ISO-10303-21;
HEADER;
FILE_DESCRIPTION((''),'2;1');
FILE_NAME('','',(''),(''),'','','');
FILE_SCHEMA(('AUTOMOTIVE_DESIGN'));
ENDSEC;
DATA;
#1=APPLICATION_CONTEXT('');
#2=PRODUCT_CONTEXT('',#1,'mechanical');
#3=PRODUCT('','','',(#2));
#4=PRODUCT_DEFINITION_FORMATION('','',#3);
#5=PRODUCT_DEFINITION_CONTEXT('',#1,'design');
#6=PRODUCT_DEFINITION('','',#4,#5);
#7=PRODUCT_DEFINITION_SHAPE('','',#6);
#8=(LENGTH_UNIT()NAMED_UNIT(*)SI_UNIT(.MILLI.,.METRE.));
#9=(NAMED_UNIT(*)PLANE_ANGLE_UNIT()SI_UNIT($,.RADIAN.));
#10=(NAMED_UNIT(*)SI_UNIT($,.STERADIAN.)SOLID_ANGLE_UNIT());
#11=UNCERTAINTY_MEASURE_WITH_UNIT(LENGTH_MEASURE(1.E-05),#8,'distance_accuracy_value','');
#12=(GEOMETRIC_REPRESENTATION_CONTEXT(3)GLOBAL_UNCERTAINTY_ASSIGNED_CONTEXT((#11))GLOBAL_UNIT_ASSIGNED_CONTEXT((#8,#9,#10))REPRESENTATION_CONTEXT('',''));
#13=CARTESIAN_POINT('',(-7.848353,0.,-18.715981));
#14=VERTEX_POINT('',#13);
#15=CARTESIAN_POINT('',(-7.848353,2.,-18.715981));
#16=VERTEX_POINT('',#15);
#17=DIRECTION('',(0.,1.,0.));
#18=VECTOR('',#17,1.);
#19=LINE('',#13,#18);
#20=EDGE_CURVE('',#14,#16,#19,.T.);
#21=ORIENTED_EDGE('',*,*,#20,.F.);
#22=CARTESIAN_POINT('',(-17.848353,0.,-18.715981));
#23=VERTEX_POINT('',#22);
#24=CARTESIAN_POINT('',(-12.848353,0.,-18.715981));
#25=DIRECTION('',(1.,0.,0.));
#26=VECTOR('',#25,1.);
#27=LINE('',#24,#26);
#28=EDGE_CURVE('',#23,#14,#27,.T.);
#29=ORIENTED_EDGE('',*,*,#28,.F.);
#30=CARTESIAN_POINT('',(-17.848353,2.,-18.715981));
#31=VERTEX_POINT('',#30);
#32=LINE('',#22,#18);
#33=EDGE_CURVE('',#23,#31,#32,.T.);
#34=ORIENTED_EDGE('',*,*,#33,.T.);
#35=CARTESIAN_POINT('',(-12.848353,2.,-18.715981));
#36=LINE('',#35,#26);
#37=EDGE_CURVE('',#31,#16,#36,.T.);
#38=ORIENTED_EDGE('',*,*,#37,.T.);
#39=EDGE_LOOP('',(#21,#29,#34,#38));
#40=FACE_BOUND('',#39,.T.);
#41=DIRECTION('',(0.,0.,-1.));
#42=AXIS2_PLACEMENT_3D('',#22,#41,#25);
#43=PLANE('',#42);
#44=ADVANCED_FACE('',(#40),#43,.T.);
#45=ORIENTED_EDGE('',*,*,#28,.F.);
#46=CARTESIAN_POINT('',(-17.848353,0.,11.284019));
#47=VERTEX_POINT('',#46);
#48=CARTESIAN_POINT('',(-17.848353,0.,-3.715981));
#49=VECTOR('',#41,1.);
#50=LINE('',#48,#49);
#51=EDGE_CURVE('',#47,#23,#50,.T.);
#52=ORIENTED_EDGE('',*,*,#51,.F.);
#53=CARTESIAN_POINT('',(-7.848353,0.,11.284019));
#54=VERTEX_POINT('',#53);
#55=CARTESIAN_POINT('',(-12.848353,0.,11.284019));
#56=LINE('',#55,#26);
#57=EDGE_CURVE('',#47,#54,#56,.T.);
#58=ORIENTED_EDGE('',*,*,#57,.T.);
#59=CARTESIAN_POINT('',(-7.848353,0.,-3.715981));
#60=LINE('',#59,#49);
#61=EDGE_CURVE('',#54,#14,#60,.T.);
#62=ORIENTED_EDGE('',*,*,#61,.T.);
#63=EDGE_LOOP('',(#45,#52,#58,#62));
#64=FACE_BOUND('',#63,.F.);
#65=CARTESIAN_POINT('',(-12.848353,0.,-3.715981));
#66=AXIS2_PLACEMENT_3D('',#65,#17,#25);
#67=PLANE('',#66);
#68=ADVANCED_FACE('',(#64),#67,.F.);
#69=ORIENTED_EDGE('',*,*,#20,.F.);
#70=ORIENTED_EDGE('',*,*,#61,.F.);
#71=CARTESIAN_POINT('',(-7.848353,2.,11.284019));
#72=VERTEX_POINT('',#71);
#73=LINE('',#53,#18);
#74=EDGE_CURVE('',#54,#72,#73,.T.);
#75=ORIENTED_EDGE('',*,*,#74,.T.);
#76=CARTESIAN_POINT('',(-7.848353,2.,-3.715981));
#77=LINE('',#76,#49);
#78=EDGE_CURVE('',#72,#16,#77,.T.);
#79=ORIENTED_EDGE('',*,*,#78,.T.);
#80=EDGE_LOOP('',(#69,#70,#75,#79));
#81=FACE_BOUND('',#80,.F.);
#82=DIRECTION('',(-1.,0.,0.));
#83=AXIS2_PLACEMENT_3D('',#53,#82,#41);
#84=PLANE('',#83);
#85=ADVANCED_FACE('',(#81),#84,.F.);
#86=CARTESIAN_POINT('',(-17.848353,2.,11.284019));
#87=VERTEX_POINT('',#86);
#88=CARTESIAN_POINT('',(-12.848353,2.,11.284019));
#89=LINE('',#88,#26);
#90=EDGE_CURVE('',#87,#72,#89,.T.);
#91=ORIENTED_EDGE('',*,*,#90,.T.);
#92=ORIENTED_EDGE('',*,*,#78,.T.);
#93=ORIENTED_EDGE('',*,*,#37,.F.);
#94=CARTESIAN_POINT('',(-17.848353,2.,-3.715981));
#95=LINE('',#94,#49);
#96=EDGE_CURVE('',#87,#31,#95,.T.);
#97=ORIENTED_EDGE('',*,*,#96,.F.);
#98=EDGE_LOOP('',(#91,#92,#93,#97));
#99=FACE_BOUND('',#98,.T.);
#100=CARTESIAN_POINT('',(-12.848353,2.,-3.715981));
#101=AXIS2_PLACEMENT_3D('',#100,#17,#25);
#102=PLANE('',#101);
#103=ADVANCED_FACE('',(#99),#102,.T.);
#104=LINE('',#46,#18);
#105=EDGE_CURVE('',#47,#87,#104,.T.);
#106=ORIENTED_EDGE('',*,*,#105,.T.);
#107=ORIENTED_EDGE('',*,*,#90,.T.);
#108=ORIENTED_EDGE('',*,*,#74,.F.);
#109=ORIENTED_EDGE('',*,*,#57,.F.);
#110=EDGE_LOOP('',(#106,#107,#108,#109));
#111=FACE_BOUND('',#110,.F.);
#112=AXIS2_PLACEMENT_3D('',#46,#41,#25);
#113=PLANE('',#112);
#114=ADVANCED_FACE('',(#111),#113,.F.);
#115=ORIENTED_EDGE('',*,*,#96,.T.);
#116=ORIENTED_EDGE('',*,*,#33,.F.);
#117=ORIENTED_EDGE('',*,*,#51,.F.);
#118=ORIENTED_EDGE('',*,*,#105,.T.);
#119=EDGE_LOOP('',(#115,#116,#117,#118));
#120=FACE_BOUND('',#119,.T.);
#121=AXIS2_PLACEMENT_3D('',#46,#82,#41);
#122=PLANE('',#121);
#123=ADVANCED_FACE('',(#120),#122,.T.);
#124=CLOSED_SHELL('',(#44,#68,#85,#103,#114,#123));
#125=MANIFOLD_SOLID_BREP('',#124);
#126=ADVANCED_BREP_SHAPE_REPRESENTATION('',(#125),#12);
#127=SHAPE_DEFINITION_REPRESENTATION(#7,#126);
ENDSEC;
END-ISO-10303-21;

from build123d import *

# Parameters (mm, degrees)
SKETCH_1_W      = 10
SKETCH_1_H      = 30
EXTRUDE_1_DEPTH = 2


with BuildPart() as part:
    # 草图1 → 凸台-拉伸1 (new body)
    with BuildSketch(Plane(origin=(0, 0, 0), x_dir=(1, 0, 0), z_dir=(0, 1, 0))):
        with Locations((-12.848353068, 3.715981342)):
            Rectangle(SKETCH_1_W, SKETCH_1_H)
    extrude(amount=EXTRUDE_1_DEPTH)


solid = part.part
